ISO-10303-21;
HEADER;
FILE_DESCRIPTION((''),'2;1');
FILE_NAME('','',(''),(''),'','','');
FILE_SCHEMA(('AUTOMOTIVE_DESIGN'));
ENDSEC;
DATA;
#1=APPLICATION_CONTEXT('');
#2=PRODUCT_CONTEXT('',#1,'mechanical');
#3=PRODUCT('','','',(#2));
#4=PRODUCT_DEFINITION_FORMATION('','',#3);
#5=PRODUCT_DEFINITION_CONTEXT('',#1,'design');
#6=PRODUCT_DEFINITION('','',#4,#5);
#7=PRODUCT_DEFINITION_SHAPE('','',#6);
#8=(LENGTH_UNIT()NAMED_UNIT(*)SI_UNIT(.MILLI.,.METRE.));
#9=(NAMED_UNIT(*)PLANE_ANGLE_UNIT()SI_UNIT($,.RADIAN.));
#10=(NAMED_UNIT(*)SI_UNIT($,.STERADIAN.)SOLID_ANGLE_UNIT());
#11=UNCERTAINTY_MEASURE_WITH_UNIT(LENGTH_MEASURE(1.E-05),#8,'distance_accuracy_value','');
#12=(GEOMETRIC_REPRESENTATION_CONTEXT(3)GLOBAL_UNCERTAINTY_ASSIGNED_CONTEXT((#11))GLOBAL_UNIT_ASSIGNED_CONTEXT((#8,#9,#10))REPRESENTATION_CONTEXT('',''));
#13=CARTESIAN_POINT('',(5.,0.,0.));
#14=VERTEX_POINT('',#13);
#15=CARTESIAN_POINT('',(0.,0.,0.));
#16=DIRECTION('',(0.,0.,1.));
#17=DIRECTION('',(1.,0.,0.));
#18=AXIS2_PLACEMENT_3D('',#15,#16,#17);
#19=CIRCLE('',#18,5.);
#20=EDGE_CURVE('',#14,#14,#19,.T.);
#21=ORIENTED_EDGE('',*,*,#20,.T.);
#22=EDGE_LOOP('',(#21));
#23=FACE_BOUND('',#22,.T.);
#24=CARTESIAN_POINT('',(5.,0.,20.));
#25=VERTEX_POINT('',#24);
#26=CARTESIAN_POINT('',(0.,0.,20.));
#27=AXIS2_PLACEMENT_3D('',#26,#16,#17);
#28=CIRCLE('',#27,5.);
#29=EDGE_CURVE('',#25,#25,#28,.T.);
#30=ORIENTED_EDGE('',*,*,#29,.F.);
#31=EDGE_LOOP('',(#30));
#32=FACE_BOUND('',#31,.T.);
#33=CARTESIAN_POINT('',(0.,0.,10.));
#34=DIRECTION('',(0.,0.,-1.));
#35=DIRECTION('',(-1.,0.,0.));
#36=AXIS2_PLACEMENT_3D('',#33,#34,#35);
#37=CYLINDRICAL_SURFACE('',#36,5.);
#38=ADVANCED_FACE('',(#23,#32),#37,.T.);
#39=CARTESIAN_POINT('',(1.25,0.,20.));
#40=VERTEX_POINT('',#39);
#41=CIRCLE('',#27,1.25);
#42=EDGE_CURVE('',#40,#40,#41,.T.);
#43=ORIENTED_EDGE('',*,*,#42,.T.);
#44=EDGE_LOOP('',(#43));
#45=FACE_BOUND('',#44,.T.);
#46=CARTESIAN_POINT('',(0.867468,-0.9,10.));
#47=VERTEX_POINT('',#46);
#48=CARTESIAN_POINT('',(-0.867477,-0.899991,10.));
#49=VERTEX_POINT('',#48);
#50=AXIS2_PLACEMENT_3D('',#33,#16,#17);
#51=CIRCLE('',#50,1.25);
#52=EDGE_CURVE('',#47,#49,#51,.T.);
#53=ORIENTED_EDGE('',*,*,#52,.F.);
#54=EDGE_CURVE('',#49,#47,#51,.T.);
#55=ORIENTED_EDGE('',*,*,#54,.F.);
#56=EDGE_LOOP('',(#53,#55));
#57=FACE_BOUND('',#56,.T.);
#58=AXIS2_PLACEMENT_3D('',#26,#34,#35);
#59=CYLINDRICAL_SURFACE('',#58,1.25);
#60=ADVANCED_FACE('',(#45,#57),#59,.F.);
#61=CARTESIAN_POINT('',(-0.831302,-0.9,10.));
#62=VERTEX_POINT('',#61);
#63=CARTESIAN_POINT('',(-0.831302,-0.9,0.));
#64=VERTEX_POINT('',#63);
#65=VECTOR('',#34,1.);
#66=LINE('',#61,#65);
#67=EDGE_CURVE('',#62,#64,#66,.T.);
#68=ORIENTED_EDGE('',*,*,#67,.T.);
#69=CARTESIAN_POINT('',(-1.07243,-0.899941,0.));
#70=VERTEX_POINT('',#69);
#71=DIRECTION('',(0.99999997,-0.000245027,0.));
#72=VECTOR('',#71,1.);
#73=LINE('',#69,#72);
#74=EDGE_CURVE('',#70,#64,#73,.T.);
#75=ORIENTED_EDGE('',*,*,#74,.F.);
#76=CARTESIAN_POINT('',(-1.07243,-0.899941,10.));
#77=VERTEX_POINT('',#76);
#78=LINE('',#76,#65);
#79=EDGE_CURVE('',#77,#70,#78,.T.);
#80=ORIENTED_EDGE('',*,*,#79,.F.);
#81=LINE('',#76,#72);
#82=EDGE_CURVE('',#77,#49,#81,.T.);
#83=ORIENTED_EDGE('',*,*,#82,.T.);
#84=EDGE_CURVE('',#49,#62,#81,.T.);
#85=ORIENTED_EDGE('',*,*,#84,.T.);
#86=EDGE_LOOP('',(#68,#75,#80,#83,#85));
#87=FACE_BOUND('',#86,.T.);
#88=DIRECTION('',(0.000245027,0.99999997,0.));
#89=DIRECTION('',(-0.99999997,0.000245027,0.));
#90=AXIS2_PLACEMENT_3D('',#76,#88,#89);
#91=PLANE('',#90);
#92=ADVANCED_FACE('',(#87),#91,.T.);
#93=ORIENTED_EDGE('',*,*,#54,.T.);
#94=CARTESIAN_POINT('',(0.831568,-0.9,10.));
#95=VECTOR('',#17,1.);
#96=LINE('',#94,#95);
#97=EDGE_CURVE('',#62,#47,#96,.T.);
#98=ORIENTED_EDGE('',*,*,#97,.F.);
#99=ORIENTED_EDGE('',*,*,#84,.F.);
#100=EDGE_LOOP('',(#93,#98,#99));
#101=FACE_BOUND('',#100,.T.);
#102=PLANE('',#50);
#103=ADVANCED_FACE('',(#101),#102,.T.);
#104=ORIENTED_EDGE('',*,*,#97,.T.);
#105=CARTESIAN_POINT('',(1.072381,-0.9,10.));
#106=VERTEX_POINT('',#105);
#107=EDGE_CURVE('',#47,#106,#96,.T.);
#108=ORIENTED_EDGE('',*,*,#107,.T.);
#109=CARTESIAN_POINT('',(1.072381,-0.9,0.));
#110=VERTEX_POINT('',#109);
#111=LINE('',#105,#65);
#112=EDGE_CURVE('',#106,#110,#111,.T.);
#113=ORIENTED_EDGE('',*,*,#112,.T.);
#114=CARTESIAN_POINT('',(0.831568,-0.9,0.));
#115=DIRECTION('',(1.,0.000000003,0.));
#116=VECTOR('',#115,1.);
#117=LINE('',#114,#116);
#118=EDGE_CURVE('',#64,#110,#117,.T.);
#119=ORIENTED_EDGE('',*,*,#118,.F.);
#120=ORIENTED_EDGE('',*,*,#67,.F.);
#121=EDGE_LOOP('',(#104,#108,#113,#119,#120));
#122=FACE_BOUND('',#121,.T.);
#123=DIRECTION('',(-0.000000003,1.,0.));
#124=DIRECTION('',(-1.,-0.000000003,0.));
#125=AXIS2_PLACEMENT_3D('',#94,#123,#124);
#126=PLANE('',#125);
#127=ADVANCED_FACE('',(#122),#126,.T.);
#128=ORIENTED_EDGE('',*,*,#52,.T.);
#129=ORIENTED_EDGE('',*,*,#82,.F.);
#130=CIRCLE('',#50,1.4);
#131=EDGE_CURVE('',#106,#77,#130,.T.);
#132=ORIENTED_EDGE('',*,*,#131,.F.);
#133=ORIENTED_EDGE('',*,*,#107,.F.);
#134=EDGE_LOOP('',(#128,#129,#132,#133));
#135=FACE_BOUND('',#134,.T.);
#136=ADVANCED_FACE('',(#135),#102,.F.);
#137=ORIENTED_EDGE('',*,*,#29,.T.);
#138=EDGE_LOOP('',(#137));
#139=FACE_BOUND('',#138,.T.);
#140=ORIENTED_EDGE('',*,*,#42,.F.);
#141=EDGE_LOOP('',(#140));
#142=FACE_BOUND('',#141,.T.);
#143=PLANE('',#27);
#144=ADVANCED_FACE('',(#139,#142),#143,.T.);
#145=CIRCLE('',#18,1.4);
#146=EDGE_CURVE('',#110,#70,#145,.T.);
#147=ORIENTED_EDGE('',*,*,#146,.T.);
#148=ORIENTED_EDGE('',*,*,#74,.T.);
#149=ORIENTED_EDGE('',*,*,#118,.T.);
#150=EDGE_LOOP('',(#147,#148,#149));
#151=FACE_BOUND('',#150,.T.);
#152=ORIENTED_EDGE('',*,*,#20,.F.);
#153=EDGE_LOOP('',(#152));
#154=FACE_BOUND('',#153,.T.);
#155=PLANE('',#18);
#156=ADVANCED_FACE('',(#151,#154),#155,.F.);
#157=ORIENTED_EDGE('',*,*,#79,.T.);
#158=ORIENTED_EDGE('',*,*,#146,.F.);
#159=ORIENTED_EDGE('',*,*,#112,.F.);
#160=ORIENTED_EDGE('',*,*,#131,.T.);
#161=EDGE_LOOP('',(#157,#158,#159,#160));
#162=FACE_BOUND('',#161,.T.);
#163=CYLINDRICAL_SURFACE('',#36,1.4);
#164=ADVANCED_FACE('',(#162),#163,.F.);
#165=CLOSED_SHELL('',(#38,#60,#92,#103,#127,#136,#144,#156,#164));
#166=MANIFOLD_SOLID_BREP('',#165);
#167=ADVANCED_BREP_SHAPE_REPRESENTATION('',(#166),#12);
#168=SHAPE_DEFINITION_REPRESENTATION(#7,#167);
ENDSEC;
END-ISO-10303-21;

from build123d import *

# Parameters (mm, degrees)
SKETCH1_R           = 5
BOSS_EXTRUDE1_DEPTH = 10
SKETCH2_R           = 5
SKETCH2_R_2         = 1.25
BOSS_EXTRUDE2_DEPTH = 10


with BuildPart() as part:
    # Sketch1 → Boss-Extrude1 (new body)
    with BuildSketch(Plane.XY):
        Circle(SKETCH1_R)
        with BuildLine():
            Line((-1.072430112, -0.899940917), (-0.831301536, -0.9))
            Line((-0.831301536, -0.9), (0.831568399, -0.9))
            Line((0.831568399, -0.9), (1.07238053, -0.899999999))
            ThreePointArc((1.07238053, -0.899999999), (0.478887909, 1.315547936), (-1.4, 0))
            ThreePointArc((-1.4, 0), (-1.315561127, -0.478851669), (-1.072430112, -0.899940917))
        make_face(mode=Mode.SUBTRACT)
    extrude(amount=BOSS_EXTRUDE1_DEPTH)

    # Sketch2 → Boss-Extrude2 (add)
    with BuildSketch(Plane.XY.offset(10)):
        Circle(SKETCH2_R)
        Circle(SKETCH2_R_2, mode=Mode.SUBTRACT)
    extrude(amount=BOSS_EXTRUDE2_DEPTH)


solid = part.part
